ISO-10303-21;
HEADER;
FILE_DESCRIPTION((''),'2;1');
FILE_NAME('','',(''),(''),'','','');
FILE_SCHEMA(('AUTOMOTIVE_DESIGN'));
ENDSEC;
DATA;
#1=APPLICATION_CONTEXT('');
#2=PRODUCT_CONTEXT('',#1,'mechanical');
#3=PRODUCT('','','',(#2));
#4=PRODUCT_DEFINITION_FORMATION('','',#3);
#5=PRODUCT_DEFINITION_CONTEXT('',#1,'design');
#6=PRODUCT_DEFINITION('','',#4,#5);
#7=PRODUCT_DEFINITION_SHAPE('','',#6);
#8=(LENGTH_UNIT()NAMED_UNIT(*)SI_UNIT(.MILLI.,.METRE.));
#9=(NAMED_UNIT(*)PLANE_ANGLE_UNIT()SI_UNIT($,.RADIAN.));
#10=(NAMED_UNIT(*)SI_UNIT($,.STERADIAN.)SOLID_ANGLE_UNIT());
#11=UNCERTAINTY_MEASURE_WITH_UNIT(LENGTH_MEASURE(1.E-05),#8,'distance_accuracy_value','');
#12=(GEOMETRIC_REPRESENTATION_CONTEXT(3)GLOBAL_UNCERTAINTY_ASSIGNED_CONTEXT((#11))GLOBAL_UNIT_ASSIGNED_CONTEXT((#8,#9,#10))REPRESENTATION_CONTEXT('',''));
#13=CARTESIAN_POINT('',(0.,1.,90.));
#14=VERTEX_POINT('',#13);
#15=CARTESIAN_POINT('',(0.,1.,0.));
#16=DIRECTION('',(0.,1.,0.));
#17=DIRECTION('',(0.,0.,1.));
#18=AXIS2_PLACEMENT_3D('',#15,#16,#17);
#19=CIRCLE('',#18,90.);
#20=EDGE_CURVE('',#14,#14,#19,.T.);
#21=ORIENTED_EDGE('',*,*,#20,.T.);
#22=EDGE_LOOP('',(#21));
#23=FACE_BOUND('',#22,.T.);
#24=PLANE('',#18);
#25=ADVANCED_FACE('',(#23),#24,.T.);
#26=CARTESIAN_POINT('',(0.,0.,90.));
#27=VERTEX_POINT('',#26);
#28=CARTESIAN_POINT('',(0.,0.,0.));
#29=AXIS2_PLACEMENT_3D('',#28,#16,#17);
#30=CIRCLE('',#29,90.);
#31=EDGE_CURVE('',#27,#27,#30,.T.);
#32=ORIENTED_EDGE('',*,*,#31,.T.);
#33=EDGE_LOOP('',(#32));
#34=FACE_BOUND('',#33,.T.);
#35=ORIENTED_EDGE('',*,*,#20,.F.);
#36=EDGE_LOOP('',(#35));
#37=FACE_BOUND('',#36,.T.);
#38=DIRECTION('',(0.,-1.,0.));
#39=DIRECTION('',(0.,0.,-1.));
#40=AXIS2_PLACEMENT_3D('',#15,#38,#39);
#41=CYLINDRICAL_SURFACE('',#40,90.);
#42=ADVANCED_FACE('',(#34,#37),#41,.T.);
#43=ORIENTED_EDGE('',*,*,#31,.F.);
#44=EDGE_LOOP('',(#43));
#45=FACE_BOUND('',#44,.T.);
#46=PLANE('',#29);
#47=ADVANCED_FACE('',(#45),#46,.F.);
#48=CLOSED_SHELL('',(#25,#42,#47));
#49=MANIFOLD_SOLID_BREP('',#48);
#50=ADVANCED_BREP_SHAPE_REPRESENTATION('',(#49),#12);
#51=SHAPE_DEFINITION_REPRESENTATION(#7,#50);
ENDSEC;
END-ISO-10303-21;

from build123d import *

# Parameters (mm, degrees)
SKETCH1_R           = 90
BOSS_EXTRUDE1_DEPTH = 1


with BuildPart() as part:
    # Sketch1 → Boss-Extrude1 (new body)
    with BuildSketch(Plane(origin=(0, 0, 0), x_dir=(1, 0, 0), z_dir=(0, 1, 0))):
        Circle(SKETCH1_R)
    extrude(amount=BOSS_EXTRUDE1_DEPTH)


solid = part.part
